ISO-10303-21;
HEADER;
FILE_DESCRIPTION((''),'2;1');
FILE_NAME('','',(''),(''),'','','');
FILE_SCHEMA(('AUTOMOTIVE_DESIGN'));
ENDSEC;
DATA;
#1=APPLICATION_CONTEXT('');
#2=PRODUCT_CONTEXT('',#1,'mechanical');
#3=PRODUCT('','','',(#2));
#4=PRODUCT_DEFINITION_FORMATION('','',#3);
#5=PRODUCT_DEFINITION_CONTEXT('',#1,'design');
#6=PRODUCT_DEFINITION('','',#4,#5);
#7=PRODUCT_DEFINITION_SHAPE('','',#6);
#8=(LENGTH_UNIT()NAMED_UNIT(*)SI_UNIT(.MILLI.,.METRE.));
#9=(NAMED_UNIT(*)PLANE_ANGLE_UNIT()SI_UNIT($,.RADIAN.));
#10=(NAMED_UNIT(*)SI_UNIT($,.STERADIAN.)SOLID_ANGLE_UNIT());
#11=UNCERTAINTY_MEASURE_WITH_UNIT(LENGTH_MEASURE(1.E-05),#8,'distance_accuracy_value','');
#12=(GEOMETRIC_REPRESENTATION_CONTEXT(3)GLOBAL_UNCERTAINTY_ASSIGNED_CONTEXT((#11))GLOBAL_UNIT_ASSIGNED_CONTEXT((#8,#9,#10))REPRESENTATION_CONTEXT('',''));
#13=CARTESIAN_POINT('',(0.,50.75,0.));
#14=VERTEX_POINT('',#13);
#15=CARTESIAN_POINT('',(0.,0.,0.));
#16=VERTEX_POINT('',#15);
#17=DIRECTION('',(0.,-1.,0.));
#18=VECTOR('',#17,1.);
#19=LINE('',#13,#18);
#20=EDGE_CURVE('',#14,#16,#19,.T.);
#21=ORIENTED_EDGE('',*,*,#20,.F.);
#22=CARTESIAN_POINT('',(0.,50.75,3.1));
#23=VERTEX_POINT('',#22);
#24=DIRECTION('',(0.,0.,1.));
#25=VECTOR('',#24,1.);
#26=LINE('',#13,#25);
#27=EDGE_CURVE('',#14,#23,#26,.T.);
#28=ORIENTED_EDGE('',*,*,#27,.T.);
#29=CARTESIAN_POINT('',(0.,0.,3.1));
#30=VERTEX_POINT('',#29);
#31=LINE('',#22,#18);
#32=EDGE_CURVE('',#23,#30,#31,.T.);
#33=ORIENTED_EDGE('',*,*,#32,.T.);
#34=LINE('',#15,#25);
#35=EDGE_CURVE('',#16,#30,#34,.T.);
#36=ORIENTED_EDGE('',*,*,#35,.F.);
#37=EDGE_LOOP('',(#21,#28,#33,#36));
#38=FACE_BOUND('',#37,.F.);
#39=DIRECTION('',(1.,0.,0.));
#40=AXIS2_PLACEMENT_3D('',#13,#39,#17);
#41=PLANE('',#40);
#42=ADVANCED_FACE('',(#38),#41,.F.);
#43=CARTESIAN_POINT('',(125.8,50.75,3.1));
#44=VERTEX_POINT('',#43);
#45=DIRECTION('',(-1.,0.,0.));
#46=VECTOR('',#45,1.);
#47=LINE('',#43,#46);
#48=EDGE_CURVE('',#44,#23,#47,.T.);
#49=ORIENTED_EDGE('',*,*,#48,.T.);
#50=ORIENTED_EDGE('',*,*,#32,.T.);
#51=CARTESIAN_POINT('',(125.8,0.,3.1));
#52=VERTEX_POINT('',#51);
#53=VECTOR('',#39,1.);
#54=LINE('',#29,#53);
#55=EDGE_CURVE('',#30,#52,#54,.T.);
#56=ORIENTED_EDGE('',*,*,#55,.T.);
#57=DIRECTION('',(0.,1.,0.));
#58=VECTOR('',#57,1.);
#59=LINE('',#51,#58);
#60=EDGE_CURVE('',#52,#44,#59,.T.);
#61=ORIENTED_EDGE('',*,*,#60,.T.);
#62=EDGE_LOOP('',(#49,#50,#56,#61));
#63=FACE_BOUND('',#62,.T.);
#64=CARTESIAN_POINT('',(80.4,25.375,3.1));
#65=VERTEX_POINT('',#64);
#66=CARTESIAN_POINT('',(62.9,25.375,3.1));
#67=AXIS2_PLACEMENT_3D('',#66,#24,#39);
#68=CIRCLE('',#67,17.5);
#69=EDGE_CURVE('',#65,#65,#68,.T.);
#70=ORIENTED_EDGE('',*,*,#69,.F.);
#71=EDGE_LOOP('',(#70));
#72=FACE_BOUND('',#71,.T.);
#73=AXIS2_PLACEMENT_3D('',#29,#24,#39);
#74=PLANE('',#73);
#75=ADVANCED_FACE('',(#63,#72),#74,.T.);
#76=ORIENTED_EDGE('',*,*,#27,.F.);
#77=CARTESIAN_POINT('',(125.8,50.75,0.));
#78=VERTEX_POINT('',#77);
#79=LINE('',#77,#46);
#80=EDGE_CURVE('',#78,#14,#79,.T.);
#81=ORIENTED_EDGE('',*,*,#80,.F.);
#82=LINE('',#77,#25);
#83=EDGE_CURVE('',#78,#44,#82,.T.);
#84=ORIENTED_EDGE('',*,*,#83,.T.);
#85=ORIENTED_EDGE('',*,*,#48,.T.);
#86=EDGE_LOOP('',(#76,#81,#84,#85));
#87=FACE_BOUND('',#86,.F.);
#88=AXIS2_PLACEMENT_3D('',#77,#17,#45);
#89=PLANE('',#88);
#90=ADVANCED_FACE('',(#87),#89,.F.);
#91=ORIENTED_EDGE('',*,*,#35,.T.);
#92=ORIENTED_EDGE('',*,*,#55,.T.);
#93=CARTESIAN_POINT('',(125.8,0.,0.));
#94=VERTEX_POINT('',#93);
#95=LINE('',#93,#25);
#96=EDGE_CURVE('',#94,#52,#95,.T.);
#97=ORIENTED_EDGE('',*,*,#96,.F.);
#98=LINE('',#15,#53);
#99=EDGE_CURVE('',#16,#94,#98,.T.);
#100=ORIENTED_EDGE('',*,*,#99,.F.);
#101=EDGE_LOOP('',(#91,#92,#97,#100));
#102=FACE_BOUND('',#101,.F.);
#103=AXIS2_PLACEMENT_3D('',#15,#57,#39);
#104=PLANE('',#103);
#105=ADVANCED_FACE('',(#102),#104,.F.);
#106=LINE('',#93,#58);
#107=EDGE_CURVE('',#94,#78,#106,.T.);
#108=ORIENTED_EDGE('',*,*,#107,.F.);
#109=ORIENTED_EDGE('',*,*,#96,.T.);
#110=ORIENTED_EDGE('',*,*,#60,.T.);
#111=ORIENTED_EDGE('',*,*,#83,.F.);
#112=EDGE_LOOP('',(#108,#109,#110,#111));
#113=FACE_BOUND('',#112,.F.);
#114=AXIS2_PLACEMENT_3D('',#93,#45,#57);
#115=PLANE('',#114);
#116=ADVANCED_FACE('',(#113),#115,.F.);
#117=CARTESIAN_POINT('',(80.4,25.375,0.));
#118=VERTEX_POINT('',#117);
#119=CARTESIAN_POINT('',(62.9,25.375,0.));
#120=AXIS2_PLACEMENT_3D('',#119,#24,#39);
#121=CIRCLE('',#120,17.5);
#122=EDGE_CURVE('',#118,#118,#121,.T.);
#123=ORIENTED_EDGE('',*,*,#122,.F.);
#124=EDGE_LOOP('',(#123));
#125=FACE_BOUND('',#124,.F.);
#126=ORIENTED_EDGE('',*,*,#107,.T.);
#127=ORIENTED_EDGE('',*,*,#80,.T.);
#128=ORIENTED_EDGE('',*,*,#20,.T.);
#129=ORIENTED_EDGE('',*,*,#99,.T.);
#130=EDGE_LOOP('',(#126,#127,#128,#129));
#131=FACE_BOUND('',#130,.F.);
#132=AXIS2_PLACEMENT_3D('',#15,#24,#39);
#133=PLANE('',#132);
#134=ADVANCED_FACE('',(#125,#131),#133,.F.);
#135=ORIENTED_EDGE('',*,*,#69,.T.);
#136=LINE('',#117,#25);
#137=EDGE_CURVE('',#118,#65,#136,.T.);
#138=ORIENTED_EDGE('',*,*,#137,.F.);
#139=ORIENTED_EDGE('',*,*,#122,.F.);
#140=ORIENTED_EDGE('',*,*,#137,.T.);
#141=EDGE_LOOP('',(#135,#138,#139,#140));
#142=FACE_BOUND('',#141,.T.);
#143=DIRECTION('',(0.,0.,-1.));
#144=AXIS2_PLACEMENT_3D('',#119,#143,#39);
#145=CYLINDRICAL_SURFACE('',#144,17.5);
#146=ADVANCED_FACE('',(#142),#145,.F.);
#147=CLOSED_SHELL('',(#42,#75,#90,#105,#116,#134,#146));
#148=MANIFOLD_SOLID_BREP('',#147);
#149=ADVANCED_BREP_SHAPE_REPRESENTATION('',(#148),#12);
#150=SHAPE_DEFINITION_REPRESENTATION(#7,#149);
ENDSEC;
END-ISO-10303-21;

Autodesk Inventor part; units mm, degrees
ref_plane "YZ Plane" through (0, 0, 0) normal (1, 0, 0) x (0, 1, 0)
ref_plane "XZ Plane" through (0, 0, 0) normal (0, 1, 0) x (-1, 0, 0)
ref_plane "XY Plane" through (0, 0, 0) normal (0, 0, 1) x (1, 0, 0)
sketch "Sketch1" plane through (0, 0, 0) normal (0, 0, 1) x (1, 0, 0)
  line L0 (0, 0) -> (125.8, 0)
  line L1 (125.8, 0) -> (125.8, 50.75)
  line L2 (125.8, 50.75) -> (0, 50.75)
  line L3 (0, 50.75) -> (0, 0)
  circle A0 centre (62.9, 25.375) radius 17.5
  dimension "d0" = 125.8
  dimension "d1" = 50.75
  dimension "d4" = 35
  dimension "d5" = 62.9
  dimension "d6" = 25.375
extrude "Extrusion1" add sketch "Sketch1" along normal blind 3.1
properties part number "TorquePlate" material "Steel, Mild"
